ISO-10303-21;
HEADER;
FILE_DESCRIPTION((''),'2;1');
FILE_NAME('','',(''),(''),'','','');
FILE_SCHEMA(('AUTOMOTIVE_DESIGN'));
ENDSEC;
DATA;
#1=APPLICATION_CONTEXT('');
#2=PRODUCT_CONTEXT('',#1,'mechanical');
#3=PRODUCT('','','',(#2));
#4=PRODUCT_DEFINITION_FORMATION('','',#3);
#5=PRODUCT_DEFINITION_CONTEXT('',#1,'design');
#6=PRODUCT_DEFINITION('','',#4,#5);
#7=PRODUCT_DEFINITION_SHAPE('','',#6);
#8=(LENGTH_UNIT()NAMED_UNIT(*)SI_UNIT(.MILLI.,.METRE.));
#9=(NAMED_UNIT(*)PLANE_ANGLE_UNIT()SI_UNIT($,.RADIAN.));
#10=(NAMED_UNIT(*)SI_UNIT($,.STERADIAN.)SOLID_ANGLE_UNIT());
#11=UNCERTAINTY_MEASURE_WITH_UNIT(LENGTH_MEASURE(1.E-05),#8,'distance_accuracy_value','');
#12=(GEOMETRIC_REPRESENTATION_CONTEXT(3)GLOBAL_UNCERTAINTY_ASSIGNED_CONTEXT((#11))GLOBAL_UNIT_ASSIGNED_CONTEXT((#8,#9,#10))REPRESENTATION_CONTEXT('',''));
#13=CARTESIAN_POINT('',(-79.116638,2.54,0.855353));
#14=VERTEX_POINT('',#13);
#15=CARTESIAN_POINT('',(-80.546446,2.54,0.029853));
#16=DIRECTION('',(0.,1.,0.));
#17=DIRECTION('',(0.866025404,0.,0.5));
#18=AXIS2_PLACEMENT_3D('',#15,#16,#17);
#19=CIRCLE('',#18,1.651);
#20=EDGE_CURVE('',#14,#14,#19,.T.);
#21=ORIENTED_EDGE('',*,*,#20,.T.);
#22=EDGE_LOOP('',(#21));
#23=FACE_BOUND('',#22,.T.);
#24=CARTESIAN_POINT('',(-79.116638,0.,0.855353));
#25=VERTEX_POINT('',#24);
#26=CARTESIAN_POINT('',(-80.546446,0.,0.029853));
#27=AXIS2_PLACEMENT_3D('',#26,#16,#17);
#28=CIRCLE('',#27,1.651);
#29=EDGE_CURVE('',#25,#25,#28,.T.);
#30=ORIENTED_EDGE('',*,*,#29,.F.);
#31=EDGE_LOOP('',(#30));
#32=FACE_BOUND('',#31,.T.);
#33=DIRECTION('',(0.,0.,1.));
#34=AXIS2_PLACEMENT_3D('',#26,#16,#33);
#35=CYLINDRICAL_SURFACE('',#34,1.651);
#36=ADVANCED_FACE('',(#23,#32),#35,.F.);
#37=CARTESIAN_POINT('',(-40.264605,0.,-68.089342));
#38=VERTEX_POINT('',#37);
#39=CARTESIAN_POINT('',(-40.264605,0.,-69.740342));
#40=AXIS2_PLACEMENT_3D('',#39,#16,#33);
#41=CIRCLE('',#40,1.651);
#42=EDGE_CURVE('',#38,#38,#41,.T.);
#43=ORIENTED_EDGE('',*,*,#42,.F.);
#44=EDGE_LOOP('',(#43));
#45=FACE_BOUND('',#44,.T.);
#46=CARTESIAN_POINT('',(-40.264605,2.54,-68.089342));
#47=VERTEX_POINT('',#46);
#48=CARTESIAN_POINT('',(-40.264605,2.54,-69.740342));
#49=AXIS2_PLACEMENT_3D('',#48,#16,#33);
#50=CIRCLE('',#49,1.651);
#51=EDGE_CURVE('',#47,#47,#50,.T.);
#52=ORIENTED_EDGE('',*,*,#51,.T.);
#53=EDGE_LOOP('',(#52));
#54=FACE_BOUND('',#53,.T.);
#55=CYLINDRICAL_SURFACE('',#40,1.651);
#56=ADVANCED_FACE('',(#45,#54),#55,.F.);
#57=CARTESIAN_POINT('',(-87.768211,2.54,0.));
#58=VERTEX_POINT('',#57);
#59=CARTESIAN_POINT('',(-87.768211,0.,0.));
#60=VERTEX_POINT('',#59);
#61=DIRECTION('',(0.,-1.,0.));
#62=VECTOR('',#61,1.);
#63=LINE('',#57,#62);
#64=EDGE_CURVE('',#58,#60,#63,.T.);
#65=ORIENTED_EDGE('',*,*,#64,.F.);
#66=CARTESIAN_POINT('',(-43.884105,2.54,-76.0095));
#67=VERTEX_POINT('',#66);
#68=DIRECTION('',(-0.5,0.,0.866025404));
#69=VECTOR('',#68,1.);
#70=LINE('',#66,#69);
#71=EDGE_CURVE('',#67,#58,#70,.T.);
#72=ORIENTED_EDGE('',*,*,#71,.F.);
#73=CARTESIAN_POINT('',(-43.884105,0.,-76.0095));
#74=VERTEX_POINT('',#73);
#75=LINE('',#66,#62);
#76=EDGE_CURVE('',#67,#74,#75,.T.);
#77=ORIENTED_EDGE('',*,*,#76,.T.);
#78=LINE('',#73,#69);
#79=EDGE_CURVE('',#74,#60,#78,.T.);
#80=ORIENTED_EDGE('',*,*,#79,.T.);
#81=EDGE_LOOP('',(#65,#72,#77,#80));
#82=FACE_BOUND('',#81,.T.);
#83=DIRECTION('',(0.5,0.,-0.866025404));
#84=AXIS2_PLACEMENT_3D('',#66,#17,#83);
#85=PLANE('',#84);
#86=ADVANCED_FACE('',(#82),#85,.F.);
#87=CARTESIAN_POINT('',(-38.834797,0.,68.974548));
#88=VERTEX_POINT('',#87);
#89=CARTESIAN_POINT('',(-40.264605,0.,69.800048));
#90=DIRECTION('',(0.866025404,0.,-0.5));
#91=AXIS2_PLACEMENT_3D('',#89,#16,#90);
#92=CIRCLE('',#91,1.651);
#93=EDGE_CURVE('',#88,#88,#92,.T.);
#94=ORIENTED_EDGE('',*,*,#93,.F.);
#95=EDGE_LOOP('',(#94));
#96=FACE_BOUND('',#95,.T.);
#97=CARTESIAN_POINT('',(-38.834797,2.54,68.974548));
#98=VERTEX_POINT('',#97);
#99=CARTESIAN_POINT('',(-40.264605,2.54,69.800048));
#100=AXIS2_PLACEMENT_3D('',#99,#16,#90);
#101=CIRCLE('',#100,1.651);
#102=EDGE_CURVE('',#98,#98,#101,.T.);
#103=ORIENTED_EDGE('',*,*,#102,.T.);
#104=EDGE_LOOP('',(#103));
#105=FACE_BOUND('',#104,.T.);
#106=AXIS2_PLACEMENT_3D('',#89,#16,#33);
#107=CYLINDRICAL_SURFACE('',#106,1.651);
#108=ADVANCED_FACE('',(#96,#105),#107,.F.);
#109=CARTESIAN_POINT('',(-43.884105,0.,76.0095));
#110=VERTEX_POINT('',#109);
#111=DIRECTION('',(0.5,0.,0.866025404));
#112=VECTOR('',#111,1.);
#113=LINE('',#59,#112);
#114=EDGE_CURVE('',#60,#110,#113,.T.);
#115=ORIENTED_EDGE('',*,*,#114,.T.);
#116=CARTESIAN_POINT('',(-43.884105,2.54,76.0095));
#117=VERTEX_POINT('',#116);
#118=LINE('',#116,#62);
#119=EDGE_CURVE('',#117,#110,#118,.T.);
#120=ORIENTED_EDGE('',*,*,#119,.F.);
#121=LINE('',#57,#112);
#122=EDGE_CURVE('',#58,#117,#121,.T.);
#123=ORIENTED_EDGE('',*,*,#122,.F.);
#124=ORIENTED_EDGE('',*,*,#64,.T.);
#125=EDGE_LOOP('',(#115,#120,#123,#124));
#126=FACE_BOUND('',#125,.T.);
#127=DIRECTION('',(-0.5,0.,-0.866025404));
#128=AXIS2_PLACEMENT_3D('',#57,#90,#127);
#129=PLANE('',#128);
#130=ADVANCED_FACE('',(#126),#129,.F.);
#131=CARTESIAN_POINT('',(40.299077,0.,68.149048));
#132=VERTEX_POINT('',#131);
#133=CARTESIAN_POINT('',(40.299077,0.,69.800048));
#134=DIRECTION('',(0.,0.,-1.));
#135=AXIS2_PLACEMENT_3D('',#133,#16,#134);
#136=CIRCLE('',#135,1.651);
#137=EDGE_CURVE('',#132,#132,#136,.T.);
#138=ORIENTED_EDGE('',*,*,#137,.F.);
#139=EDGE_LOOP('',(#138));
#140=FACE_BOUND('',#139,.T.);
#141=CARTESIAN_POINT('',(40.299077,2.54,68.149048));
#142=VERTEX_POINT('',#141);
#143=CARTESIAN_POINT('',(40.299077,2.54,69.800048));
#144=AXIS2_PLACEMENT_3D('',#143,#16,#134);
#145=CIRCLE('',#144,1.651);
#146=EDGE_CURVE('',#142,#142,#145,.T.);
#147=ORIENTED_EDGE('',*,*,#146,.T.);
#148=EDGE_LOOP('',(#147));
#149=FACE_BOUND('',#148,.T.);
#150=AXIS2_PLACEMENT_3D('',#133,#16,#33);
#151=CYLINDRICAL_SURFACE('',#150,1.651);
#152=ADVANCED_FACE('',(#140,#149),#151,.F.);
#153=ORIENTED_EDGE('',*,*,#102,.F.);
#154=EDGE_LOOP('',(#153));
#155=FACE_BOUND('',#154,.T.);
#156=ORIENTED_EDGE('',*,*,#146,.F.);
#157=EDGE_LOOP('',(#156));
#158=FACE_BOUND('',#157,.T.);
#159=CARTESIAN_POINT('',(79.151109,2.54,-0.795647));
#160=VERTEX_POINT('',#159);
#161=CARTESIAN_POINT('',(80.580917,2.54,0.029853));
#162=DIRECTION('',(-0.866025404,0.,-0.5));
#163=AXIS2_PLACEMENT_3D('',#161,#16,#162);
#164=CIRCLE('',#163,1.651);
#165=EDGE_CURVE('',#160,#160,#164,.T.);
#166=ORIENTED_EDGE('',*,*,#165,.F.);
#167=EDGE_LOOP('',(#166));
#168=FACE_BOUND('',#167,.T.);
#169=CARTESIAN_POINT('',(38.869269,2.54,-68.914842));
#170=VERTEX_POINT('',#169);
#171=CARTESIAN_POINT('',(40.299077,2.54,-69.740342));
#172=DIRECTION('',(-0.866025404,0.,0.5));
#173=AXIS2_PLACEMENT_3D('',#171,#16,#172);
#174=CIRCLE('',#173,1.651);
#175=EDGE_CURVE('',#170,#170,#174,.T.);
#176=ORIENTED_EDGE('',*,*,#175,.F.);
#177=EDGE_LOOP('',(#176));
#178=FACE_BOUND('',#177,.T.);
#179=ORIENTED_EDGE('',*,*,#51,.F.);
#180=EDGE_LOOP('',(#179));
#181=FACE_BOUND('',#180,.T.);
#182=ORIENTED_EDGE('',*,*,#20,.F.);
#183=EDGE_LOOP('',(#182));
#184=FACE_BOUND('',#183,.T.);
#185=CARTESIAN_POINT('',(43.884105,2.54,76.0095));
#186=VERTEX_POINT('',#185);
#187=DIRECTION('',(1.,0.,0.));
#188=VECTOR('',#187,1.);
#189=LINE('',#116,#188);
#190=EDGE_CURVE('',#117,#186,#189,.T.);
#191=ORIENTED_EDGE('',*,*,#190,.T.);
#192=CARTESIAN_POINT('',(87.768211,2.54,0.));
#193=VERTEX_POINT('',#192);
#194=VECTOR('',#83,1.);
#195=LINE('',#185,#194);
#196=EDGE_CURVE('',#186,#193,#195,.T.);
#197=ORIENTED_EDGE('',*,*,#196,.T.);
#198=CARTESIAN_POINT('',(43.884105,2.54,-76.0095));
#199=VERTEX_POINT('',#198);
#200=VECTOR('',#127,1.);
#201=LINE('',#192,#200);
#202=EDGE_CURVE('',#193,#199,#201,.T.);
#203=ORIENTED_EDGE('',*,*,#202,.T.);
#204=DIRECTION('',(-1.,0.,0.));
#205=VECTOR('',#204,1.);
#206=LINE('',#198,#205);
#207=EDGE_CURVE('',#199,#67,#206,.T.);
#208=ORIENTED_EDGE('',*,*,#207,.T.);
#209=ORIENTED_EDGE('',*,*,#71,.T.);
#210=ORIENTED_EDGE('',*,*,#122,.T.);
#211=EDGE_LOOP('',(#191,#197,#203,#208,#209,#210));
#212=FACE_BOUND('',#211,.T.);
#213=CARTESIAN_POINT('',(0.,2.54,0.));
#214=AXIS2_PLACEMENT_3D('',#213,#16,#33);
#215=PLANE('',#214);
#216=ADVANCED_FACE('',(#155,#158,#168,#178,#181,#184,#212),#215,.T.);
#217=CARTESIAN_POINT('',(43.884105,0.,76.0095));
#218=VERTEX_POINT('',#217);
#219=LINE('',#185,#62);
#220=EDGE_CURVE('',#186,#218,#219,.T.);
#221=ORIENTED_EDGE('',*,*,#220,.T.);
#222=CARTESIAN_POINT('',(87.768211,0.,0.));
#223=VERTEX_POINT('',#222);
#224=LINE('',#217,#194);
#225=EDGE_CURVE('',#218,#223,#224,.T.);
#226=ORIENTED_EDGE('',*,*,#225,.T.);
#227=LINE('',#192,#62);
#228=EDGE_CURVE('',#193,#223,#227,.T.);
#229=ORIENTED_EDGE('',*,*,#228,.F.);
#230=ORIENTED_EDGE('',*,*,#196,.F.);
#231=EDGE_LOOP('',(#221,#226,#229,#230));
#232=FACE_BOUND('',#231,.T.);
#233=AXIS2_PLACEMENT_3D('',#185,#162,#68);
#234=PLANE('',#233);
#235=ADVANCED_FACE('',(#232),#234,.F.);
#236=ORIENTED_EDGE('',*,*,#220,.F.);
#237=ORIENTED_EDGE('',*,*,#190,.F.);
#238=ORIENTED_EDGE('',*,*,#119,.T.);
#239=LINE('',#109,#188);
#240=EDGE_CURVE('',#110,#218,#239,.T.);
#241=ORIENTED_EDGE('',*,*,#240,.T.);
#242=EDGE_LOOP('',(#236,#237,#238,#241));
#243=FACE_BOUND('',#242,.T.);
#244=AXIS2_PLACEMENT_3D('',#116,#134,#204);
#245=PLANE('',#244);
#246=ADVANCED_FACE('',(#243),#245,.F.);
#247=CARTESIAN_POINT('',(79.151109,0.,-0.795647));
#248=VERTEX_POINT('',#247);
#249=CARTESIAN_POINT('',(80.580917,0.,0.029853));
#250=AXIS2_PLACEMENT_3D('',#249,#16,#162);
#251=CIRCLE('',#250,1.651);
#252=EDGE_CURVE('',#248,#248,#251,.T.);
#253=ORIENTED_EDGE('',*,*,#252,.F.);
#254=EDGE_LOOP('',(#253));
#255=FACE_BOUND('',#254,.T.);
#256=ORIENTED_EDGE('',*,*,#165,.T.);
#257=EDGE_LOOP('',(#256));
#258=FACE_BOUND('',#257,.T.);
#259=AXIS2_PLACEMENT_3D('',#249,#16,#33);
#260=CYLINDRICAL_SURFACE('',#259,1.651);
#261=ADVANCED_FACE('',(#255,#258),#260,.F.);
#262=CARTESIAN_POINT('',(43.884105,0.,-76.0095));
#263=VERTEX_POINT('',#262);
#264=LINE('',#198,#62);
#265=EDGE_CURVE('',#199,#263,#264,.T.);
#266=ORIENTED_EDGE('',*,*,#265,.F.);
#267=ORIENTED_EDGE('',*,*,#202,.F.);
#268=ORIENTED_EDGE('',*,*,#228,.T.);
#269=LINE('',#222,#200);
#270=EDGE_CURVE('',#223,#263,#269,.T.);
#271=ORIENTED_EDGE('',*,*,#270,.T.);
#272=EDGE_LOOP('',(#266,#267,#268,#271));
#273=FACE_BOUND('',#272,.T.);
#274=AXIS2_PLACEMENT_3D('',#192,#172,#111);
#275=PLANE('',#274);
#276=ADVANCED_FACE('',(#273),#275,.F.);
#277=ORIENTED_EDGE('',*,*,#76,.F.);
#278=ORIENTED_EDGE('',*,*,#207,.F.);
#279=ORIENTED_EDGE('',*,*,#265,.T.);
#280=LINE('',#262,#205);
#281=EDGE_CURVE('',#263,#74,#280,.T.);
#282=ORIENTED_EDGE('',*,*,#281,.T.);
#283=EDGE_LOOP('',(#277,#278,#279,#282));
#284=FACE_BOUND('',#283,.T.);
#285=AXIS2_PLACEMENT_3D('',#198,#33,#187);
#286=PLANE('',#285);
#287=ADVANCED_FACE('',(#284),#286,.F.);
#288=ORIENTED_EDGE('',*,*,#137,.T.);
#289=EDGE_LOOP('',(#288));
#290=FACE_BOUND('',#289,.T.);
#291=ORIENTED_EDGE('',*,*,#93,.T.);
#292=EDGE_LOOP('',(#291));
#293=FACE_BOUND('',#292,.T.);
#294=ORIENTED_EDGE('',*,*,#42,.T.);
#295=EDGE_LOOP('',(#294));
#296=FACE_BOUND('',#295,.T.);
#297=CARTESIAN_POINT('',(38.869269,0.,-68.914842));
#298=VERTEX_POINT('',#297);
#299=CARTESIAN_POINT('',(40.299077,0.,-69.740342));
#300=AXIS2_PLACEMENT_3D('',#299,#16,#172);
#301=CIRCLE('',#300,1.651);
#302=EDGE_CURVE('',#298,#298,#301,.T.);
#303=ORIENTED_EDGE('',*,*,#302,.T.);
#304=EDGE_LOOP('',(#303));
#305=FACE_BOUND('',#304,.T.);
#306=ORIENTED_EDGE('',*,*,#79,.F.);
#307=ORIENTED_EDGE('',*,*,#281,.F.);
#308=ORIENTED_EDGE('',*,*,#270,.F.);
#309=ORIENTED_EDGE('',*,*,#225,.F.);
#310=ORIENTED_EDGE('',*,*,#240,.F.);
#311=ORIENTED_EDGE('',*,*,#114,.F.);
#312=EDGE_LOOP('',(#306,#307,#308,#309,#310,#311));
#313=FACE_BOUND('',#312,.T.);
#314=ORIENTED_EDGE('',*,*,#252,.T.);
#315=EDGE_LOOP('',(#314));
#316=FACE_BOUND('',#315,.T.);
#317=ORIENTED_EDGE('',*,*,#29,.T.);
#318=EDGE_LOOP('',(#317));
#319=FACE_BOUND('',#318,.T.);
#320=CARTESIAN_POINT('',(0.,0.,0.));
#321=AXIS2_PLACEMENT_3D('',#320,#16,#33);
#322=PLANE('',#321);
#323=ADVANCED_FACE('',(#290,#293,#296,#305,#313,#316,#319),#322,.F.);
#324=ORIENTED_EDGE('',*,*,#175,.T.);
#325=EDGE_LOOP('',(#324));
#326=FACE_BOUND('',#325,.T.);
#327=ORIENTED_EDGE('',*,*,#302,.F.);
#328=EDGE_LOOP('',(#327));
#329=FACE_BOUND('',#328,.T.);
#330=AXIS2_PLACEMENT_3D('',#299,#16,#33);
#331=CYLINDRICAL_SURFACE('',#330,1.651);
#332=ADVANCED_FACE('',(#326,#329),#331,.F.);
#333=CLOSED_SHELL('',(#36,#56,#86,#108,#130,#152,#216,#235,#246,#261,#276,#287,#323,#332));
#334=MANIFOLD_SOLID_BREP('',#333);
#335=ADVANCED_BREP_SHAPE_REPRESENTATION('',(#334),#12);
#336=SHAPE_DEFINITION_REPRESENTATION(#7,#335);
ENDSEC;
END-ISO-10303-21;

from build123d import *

# Parameters (mm, degrees)
BOSS_EXTRUDE1_DEPTH = 2.54
SKETCH2_R           = 1.651
CUT_EXTRUDE1_DEPTH  = 3.54
CIRPATTERN1_COUNT   = 6


with BuildPart() as part:
    # Sketch1 → Boss-Extrude1 (new body)
    with BuildSketch(Plane(origin=(0, 0, 0), x_dir=(1, 0, 0), z_dir=(0, 1, 0))):
        Polygon((43.884105286, -76.0095), (87.768210572, 0), (43.884105286, 76.0095), (-43.884105286, 76.0095), (-87.768210572, 0), (-43.884105286, -76.0095), align=None)
    extrude(amount=BOSS_EXTRUDE1_DEPTH)

    # Sketch2 → Cut-Extrude1 (cut, through all)
    with BuildSketch(Plane(origin=(0, 2.54, 0), x_dir=(1, 0, 0), z_dir=(0, 1, 0))):
        with Locations((-40.264605286, 69.740342102)):
            Circle(SKETCH2_R)
    cut_extrude1 = extrude(amount=-CUT_EXTRUDE1_DEPTH, mode=Mode.SUBTRACT)

    # CirPattern1: Cut-Extrude1 ×6 about axis
    cirpattern1_axis = Axis((0.017235622, 0, 0.029852973), (0, 1, 0))
    for i in range(1, CIRPATTERN1_COUNT):
        add(cut_extrude1.rotate(cirpattern1_axis, i * 360 / CIRPATTERN1_COUNT), mode=Mode.SUBTRACT)


solid = part.part
